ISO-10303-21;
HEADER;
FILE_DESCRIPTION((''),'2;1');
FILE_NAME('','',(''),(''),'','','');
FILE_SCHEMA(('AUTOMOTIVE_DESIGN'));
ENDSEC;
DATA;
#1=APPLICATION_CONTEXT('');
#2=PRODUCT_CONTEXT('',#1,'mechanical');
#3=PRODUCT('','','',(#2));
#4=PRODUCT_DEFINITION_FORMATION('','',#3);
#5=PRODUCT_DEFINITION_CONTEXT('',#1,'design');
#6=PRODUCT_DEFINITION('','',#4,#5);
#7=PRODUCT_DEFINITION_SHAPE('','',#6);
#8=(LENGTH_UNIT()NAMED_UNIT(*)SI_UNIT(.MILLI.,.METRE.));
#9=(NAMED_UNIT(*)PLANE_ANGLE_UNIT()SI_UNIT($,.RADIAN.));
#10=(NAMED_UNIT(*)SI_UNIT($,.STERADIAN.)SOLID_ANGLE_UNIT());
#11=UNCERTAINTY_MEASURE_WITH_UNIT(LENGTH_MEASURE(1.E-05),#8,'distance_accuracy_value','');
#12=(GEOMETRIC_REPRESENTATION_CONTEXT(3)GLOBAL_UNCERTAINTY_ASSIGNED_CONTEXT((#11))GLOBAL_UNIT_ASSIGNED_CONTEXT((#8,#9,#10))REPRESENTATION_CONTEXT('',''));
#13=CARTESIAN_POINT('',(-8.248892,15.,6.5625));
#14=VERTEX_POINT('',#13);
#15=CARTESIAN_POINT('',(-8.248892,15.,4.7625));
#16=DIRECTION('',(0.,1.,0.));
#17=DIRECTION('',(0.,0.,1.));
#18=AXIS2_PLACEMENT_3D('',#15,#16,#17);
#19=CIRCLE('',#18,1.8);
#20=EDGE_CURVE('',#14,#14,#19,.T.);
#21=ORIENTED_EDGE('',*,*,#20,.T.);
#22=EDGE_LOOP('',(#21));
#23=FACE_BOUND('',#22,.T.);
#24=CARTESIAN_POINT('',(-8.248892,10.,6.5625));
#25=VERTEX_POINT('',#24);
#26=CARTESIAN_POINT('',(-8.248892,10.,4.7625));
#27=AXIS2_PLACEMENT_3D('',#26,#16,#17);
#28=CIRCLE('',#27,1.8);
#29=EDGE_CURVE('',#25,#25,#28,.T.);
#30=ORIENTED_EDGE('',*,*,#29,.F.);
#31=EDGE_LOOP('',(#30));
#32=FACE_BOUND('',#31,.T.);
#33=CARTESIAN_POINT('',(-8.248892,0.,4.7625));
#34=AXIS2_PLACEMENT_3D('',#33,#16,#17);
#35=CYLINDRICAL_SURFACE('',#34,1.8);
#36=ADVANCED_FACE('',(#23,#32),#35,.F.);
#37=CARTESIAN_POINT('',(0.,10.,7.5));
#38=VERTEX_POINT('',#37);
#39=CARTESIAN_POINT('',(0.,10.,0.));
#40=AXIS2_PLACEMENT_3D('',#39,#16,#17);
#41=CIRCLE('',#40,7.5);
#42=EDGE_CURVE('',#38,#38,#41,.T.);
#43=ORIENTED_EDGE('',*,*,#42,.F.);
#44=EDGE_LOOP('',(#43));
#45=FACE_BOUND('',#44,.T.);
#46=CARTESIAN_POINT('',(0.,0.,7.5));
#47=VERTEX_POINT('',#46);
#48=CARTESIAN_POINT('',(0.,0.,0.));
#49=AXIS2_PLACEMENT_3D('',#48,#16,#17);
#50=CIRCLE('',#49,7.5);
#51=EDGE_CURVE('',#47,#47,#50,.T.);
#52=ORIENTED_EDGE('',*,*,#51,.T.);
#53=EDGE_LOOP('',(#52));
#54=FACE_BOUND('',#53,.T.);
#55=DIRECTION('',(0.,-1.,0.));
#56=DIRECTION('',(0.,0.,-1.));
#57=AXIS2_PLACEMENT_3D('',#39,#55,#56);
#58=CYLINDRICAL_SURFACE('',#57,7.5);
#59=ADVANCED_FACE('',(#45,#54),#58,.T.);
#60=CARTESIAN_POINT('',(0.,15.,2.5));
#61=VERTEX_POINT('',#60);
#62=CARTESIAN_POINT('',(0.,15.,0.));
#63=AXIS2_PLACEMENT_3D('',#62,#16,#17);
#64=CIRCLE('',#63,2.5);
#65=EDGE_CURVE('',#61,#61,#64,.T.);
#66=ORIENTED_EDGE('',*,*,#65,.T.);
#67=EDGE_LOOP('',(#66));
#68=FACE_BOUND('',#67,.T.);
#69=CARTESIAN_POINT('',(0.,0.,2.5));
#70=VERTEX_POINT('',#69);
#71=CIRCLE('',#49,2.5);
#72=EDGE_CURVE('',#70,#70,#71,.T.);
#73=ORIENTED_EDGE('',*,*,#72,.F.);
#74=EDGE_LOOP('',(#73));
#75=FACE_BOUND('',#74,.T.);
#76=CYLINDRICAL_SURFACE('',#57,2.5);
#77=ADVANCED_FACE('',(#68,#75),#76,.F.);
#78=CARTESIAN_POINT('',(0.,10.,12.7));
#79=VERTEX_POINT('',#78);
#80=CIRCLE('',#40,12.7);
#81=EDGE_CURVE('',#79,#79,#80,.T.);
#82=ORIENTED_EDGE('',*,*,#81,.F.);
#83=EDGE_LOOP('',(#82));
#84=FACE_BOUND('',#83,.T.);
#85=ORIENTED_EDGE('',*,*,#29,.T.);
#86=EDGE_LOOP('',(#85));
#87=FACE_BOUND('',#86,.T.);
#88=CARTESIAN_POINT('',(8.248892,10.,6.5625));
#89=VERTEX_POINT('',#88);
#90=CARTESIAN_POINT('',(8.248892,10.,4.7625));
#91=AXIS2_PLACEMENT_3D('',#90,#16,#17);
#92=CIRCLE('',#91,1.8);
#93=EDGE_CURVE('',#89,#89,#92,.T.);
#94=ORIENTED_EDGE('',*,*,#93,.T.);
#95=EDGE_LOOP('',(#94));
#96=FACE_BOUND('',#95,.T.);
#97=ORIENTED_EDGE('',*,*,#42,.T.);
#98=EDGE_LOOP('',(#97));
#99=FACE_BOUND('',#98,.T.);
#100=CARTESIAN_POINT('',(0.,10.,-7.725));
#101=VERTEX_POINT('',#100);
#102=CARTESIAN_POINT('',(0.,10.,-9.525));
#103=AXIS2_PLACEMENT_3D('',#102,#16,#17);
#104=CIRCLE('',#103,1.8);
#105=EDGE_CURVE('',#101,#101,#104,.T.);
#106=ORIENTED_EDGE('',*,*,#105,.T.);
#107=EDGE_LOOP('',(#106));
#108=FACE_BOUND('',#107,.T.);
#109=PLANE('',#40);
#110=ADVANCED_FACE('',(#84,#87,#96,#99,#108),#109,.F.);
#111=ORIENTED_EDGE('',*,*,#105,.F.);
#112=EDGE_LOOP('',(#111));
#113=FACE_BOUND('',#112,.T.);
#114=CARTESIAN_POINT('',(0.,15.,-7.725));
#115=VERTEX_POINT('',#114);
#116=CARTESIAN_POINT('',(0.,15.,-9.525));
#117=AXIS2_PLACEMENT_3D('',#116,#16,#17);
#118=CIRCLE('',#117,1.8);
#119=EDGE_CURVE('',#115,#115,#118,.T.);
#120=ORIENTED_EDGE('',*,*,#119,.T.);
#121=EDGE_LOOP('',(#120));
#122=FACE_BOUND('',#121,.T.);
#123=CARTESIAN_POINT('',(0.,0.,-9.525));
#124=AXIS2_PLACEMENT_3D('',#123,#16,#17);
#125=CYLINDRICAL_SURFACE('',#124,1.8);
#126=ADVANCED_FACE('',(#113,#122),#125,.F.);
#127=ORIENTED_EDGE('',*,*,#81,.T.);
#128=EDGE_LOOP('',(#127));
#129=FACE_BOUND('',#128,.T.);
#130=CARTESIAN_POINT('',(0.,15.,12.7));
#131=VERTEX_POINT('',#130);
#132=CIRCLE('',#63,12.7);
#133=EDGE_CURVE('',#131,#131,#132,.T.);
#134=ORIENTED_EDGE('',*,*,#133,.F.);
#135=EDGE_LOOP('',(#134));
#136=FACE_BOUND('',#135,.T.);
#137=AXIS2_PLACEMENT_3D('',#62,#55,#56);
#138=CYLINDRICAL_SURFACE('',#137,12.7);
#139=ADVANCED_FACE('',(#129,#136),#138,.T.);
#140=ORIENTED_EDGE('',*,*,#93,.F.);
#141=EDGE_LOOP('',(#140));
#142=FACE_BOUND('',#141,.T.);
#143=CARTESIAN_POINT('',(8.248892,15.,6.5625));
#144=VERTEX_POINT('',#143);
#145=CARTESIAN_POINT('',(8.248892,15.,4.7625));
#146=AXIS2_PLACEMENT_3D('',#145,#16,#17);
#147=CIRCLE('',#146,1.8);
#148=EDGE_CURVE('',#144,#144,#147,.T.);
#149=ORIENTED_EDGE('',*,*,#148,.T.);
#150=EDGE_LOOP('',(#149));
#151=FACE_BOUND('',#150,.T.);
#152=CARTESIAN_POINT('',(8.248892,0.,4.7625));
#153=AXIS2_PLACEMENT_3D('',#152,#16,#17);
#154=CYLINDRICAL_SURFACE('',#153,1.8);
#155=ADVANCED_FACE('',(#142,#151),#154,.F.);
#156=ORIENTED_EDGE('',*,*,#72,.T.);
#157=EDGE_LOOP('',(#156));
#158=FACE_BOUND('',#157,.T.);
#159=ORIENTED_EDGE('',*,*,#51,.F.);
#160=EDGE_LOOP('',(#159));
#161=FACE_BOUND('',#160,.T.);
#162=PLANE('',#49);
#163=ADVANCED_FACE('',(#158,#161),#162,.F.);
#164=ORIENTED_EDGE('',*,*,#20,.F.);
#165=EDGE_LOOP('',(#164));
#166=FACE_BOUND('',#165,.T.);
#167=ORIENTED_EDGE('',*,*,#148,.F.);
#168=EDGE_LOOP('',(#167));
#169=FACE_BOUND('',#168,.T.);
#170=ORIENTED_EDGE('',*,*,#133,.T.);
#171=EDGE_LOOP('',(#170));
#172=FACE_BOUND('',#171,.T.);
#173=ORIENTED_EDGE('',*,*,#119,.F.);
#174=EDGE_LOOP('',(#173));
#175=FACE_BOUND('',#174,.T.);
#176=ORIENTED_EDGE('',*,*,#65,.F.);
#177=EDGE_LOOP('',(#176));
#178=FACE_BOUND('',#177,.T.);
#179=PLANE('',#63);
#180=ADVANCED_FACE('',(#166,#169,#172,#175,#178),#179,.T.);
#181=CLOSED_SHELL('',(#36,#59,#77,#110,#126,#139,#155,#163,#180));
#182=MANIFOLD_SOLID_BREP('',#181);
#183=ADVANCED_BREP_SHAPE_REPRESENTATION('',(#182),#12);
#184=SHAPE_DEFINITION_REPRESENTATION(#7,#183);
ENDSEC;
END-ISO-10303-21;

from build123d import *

# Parameters (mm, degrees)
SKETCH1_R           = 7.5
SKETCH1_R_2         = 2.5
BOSS_EXTRUDE1_DEPTH = 10
SKETCH2_R           = 12.7
SKETCH2_R_2         = 2.5
BOSS_EXTRUDE2_DEPTH = 5
SKETCH3_R           = 1.8
CUT_EXTRUDE1_DEPTH  = 16


with BuildPart() as part:
    # Sketch1 → Boss-Extrude1 (new body)
    with BuildSketch(Plane(origin=(0, 0, 0), x_dir=(1, 0, 0), z_dir=(0, 1, 0))):
        Circle(SKETCH1_R)
        Circle(SKETCH1_R_2, mode=Mode.SUBTRACT)
    extrude(amount=BOSS_EXTRUDE1_DEPTH)

    # Sketch2 → Boss-Extrude2 (add)
    with BuildSketch(Plane(origin=(0, 10, 0), x_dir=(-1, 0, 0), z_dir=(0, 1, 0))):
        Circle(SKETCH2_R)
        Circle(SKETCH2_R_2, mode=Mode.SUBTRACT)
    extrude(amount=BOSS_EXTRUDE2_DEPTH)

    # Sketch3 → Cut-Extrude1 (cut, through all)
    with BuildSketch(Plane(origin=(0, 15, 0), x_dir=(-1, 0, 0), z_dir=(0, 1, 0))):
        with Locations((0, -9.525)):
            Circle(SKETCH3_R)
        with Locations((-8.248891971, 4.7625)):
            Circle(SKETCH3_R)
        with Locations((8.248891971, 4.7625)):
            Circle(SKETCH3_R)
    extrude(amount=-CUT_EXTRUDE1_DEPTH, mode=Mode.SUBTRACT)


solid = part.part
